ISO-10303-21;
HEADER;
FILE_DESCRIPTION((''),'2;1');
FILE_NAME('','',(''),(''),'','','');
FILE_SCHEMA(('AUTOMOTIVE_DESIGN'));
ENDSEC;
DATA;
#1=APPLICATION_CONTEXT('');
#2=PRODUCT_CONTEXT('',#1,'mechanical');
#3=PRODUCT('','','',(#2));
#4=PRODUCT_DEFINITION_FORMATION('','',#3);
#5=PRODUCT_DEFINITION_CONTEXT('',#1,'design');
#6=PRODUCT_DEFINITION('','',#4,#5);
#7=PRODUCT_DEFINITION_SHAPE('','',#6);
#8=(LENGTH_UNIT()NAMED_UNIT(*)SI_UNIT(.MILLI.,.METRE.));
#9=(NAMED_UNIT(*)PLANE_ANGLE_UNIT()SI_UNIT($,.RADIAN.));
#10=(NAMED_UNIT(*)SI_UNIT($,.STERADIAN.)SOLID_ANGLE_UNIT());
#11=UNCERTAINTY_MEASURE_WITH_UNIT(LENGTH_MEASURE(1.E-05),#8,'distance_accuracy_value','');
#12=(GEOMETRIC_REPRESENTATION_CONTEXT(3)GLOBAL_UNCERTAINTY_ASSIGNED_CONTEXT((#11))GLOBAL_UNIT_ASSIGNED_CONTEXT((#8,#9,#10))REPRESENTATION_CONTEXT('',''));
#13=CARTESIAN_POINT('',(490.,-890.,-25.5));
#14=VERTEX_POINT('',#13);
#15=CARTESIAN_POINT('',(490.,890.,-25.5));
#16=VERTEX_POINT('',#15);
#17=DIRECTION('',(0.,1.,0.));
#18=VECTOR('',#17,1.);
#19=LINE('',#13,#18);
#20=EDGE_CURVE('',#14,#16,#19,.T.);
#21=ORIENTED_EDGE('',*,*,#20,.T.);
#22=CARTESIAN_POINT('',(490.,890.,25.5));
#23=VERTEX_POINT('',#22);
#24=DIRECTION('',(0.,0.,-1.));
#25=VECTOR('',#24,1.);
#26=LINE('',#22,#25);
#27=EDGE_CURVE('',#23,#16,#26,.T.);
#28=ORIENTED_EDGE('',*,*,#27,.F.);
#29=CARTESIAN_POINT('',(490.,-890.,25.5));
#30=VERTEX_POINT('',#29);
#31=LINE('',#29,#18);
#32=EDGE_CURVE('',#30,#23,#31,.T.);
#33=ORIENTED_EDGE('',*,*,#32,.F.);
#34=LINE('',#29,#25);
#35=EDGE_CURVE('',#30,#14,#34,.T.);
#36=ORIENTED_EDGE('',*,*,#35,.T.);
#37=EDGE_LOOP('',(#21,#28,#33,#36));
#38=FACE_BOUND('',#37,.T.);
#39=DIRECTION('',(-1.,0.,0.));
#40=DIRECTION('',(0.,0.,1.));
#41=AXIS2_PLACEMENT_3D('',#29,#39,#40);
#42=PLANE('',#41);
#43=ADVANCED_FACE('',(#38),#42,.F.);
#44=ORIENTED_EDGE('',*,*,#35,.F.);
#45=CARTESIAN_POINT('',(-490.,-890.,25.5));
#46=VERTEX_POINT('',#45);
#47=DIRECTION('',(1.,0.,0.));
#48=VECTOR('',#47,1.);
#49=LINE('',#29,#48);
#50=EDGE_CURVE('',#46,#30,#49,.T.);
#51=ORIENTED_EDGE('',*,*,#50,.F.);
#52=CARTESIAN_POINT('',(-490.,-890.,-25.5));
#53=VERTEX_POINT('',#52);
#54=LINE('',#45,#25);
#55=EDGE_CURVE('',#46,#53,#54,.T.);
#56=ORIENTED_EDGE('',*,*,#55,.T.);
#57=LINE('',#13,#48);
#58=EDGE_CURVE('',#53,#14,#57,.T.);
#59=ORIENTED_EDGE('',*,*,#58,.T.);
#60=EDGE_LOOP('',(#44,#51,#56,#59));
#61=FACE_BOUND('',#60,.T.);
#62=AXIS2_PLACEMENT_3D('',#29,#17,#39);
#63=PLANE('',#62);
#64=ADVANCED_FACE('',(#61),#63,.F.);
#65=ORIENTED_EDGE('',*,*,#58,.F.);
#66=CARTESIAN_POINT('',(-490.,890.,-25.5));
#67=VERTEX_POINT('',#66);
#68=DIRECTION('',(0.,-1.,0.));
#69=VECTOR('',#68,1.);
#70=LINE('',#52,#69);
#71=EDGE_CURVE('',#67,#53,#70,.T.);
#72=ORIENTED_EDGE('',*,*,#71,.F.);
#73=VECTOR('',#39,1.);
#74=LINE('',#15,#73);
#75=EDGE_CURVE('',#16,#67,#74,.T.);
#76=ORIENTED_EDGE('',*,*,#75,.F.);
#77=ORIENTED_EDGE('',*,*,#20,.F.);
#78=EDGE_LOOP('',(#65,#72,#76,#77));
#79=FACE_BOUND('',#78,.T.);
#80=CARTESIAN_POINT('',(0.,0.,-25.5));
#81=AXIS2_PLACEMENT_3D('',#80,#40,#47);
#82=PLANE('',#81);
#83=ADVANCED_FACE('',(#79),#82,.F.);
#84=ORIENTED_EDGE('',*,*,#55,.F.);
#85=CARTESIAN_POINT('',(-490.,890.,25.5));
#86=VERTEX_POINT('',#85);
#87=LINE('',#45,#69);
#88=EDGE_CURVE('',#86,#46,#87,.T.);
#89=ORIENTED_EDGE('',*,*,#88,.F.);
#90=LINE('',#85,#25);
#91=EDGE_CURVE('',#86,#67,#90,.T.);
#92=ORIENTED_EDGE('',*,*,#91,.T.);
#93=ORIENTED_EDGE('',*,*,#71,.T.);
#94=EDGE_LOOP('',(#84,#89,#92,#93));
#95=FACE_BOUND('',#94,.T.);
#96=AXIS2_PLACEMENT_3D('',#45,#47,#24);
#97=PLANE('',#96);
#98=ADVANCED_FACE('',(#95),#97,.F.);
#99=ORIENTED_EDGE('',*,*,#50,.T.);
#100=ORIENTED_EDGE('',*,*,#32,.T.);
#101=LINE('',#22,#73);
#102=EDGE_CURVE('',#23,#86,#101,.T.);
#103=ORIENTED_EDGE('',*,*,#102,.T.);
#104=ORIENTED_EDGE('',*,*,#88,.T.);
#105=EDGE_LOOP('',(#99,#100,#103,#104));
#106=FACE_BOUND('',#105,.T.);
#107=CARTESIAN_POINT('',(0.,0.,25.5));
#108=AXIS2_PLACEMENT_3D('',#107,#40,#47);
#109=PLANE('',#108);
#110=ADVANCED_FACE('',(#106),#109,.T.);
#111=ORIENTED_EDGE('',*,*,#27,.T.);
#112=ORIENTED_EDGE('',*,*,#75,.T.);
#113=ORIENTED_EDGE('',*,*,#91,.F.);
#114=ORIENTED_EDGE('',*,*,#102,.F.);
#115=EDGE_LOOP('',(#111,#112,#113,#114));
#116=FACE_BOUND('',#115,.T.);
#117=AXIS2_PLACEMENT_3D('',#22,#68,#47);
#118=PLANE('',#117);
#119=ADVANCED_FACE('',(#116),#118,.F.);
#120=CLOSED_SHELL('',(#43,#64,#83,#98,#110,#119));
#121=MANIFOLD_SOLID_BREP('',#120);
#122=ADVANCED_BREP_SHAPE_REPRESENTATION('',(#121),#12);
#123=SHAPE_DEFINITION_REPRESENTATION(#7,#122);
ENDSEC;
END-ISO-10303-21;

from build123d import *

# Parameters (mm, degrees)
SKETCH_1_W      = 980
SKETCH_1_H      = 1780
EXTRUDE_1_DEPTH = 25.5


with BuildPart() as part:
    # Эскиз1 → Бобышка-Вытянуть1 (new, symmetric)
    with BuildSketch(Plane.XY):
        Rectangle(SKETCH_1_W, SKETCH_1_H)
    extrude(amount=EXTRUDE_1_DEPTH, both=True)


solid = part.part
